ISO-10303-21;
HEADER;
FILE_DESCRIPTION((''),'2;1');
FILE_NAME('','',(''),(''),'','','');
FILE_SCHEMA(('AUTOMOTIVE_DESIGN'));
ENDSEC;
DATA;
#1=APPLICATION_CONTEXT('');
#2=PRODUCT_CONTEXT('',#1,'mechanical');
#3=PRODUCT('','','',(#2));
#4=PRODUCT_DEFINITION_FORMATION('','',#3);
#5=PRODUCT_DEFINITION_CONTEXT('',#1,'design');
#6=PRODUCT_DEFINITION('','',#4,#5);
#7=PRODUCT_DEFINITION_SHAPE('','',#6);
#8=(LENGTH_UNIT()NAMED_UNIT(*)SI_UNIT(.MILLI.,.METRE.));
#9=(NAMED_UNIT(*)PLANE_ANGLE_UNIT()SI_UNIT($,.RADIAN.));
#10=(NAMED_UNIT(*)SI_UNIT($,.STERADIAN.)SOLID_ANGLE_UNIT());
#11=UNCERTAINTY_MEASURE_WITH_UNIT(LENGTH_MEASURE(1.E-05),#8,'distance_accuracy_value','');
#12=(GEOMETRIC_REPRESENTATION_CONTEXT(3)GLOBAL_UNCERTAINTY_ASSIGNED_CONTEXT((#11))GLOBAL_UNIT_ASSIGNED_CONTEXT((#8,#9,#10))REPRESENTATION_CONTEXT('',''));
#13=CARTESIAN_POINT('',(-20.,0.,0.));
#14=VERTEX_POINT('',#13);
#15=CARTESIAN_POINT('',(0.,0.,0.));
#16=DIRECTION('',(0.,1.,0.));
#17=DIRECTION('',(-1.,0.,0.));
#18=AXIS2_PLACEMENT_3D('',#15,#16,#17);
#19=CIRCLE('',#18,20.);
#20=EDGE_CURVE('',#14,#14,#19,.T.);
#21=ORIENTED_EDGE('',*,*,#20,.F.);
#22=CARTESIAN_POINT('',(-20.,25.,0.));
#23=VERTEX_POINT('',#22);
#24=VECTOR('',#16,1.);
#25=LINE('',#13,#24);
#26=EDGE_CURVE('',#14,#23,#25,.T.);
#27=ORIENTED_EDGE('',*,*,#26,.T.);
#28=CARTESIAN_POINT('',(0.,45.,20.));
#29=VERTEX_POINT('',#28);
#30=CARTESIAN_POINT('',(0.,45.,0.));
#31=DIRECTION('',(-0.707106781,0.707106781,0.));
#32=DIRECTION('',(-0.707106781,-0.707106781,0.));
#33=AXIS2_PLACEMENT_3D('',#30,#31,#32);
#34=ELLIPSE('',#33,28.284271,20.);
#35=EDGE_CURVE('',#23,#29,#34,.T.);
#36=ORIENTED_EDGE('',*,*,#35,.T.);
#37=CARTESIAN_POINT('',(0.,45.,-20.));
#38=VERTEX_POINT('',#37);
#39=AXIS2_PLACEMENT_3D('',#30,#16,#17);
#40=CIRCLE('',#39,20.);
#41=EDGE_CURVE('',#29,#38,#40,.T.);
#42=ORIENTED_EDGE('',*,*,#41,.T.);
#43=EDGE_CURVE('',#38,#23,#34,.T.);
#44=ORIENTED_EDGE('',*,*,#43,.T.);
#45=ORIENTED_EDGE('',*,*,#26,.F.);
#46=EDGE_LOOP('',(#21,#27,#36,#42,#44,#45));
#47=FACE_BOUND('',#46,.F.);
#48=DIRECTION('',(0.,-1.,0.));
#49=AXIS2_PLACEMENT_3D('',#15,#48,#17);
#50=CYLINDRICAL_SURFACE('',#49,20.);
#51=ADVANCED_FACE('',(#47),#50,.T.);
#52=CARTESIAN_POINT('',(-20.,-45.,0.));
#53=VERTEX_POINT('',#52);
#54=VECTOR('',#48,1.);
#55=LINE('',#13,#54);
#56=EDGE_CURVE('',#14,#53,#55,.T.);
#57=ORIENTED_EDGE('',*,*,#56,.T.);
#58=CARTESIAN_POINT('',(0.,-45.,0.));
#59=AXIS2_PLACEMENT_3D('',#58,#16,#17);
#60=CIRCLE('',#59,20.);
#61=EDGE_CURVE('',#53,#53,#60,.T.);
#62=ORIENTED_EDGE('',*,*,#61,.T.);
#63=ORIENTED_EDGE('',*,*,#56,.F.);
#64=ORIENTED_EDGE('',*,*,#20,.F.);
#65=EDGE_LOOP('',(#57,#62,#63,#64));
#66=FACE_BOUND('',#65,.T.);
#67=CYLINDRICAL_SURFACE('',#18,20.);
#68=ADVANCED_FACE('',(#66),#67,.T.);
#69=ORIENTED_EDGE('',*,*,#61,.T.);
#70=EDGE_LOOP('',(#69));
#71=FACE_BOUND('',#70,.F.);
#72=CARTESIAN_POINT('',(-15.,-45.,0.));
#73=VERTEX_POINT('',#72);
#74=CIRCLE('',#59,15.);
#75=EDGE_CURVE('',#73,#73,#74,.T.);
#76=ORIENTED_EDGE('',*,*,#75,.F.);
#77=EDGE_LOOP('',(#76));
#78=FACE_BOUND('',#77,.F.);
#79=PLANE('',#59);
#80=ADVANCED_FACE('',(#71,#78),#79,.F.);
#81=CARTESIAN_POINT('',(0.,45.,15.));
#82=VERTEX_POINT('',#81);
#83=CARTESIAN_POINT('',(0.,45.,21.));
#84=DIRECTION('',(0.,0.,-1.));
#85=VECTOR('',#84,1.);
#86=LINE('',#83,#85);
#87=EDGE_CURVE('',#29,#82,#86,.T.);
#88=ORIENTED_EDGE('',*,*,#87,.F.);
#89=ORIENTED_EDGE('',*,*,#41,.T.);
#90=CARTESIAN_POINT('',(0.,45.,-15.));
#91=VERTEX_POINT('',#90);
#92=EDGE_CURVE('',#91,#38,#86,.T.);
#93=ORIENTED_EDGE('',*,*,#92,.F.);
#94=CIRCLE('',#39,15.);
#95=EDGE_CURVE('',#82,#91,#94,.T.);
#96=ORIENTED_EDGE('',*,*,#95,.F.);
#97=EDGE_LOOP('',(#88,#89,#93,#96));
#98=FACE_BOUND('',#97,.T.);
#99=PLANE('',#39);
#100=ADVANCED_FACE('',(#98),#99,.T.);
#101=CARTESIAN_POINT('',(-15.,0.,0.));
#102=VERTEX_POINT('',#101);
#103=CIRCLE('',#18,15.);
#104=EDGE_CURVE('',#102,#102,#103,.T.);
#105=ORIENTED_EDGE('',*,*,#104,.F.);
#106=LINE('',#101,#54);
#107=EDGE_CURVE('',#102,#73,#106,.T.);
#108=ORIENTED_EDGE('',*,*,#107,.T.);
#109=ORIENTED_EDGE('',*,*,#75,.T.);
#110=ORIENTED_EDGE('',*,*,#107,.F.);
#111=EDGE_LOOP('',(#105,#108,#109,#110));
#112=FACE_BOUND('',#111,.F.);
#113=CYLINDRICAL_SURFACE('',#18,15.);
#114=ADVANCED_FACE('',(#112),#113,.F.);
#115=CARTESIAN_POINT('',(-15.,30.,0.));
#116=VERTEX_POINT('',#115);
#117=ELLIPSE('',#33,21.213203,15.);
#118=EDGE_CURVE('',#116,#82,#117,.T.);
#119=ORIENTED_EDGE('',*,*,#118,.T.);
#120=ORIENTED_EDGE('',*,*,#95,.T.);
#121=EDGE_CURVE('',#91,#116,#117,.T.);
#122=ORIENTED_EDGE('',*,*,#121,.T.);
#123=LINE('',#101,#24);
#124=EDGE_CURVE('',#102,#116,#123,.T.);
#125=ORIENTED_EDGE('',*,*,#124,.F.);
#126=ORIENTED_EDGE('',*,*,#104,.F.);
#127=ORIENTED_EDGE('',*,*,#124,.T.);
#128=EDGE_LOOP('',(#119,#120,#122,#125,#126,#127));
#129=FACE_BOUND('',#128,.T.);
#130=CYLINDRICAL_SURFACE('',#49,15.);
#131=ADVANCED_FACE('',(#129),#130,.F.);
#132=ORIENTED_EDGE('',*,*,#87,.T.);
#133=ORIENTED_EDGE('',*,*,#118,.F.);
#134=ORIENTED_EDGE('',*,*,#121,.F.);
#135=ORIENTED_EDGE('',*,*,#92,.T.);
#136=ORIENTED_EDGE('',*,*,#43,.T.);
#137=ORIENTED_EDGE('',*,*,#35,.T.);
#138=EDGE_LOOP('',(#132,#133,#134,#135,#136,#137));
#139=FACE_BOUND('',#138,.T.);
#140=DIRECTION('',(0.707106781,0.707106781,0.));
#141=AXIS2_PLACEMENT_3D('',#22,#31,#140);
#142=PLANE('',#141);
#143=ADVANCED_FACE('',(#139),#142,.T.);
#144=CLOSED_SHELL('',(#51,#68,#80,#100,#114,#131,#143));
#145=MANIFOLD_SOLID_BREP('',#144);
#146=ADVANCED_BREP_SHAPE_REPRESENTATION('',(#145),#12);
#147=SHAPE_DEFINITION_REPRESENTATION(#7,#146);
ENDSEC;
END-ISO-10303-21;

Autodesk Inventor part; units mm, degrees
ref_plane "YZ Plane" through (0, 0, 0) normal (1, 0, 0) x (0, 1, 0)
ref_plane "XZ Plane" through (0, 0, 0) normal (0, 1, 0) x (-1, 0, 0)
ref_plane "XY Plane" through (0, 0, 0) normal (0, 0, 1) x (1, 0, 0)
sketch "Sketch1" plane through (0, 0, 0) normal (0, 1, 0) x (-1, 0, 0)
  circle A0 centre (0, 0) radius 15
  circle A1 centre (0, 0) radius 20
  dimension "d0" = 30
  dimension "d1" = 40
extrude "Extrusion1" add sketch "Sketch1" along normal mid plane 90
sketch "Sketch2" plane through (0, 0, 0) normal (0, 0, 1) x (1, 0, 0)
  line L0 (-20, 45) -> (-20, 25)
  line L1 (-20, 25) -> (0, 45)
  line L2 (20, 45) -> (-20, 45) projected
  line L3 (-20, 25) -> (8.2843, 25) construction
  line L4 (0, 45) -> (-20, 45)
  point P0 (0, 0)
  dimension "d7" = 20
  dimension "d9" = 45
extrude "Extrusion2" cut sketch "Sketch2" along normal through all both and the other way through all
properties part number "PlexiTubeAnimal" material "PMMA Plastic"
